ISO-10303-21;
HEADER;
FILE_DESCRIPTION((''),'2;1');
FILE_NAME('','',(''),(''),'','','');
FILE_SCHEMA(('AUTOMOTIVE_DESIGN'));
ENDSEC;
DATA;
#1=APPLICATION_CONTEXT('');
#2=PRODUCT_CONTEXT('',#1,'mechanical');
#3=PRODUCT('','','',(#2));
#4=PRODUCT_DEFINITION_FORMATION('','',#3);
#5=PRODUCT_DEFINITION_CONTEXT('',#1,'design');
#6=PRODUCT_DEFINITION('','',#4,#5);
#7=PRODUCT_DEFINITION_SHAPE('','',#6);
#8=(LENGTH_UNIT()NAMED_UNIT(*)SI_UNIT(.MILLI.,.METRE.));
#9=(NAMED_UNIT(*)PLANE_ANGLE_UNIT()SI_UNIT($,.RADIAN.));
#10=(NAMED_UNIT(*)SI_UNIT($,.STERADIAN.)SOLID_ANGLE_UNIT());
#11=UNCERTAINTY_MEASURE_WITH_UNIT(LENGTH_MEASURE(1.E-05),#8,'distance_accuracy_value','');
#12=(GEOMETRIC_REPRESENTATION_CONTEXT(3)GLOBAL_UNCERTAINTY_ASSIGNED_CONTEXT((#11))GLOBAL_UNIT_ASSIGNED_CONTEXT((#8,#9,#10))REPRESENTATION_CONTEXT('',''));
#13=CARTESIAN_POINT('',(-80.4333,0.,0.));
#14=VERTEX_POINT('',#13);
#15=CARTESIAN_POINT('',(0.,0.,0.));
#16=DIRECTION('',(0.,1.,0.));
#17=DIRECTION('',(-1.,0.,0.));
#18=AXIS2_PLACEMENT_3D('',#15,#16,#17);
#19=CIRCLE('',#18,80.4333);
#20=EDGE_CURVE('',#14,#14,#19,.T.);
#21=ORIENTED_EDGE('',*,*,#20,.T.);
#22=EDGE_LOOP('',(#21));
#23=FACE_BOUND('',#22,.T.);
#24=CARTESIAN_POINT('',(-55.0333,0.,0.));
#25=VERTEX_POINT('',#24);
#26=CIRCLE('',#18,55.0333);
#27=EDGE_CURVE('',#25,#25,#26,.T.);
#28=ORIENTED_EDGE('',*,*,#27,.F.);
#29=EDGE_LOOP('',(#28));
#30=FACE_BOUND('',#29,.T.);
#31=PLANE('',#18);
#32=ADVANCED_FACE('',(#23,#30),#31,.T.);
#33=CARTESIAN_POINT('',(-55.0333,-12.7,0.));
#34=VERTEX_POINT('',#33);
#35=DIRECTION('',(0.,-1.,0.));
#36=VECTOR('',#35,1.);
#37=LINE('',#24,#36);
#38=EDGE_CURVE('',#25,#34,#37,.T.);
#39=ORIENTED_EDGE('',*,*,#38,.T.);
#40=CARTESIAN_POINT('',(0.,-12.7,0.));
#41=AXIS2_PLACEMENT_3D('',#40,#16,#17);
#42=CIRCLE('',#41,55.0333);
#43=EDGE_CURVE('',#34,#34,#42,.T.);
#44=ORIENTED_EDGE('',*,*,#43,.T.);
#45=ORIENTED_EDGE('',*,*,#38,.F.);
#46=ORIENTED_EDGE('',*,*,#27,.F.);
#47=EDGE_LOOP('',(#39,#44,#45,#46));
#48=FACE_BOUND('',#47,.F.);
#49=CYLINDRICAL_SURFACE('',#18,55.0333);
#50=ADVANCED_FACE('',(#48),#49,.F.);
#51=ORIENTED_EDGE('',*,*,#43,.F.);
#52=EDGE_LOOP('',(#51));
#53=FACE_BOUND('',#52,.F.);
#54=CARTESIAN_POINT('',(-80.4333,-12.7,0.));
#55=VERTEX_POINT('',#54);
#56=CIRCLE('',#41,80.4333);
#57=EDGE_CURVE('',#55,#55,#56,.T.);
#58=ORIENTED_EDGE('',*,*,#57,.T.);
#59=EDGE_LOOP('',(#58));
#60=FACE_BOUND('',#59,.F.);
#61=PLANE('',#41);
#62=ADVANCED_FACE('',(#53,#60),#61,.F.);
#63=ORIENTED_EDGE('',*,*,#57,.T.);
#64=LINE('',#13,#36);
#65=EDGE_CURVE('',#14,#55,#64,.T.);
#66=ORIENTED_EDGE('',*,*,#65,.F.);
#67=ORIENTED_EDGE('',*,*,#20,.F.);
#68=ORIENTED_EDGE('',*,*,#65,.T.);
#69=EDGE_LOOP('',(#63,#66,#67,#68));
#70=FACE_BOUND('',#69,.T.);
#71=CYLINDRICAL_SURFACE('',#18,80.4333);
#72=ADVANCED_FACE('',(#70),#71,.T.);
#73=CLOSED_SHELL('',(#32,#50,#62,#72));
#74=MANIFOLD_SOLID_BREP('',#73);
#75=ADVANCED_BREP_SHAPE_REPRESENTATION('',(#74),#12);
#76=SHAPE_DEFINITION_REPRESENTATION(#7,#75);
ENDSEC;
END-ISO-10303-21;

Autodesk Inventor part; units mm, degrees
ref_plane "YZ Plane" through (0, 0, 0) normal (1, 0, 0) x (0, 1, 0)
ref_plane "XZ Plane" through (0, 0, 0) normal (0, 1, 0) x (-1, 0, 0)
ref_plane "XY Plane" through (0, 0, 0) normal (0, 0, 1) x (1, 0, 0)
sketch "Sketch1" plane through (0, 0, 0) normal (0, 1, 0) x (-1, 0, 0)
  circle A0 centre (0, 0) radius 55.0333
  circle A1 centre (0, 0) radius 80.4333
  dimension "insideCamDiam" = 110.0667
  dimension "outsideCamDiam" = 160.8667
extrude "Extrusion1" add sketch "Sketch1" against normal blind 12.7
sketch "Sketch43" plane through (0, 0, 0) normal (0, 1, 0) x (1, 0, 0)
  point P0 (0, 0)
  point P1 (61.341, 0)
  point P2 (-30.6705, 53.1229)
  point P3 (-30.6705, -53.1229)
equation "\"frisbeeOuterDiamter\" = 105.83333"
equation "\"frisbeeHopperOutsideDiam\" = 97.36667"
equation "\"one_third_of_circle\" = 120deg"
equation "\"camTrackDiam\" = 6.35"
properties part number "vexCam3"
